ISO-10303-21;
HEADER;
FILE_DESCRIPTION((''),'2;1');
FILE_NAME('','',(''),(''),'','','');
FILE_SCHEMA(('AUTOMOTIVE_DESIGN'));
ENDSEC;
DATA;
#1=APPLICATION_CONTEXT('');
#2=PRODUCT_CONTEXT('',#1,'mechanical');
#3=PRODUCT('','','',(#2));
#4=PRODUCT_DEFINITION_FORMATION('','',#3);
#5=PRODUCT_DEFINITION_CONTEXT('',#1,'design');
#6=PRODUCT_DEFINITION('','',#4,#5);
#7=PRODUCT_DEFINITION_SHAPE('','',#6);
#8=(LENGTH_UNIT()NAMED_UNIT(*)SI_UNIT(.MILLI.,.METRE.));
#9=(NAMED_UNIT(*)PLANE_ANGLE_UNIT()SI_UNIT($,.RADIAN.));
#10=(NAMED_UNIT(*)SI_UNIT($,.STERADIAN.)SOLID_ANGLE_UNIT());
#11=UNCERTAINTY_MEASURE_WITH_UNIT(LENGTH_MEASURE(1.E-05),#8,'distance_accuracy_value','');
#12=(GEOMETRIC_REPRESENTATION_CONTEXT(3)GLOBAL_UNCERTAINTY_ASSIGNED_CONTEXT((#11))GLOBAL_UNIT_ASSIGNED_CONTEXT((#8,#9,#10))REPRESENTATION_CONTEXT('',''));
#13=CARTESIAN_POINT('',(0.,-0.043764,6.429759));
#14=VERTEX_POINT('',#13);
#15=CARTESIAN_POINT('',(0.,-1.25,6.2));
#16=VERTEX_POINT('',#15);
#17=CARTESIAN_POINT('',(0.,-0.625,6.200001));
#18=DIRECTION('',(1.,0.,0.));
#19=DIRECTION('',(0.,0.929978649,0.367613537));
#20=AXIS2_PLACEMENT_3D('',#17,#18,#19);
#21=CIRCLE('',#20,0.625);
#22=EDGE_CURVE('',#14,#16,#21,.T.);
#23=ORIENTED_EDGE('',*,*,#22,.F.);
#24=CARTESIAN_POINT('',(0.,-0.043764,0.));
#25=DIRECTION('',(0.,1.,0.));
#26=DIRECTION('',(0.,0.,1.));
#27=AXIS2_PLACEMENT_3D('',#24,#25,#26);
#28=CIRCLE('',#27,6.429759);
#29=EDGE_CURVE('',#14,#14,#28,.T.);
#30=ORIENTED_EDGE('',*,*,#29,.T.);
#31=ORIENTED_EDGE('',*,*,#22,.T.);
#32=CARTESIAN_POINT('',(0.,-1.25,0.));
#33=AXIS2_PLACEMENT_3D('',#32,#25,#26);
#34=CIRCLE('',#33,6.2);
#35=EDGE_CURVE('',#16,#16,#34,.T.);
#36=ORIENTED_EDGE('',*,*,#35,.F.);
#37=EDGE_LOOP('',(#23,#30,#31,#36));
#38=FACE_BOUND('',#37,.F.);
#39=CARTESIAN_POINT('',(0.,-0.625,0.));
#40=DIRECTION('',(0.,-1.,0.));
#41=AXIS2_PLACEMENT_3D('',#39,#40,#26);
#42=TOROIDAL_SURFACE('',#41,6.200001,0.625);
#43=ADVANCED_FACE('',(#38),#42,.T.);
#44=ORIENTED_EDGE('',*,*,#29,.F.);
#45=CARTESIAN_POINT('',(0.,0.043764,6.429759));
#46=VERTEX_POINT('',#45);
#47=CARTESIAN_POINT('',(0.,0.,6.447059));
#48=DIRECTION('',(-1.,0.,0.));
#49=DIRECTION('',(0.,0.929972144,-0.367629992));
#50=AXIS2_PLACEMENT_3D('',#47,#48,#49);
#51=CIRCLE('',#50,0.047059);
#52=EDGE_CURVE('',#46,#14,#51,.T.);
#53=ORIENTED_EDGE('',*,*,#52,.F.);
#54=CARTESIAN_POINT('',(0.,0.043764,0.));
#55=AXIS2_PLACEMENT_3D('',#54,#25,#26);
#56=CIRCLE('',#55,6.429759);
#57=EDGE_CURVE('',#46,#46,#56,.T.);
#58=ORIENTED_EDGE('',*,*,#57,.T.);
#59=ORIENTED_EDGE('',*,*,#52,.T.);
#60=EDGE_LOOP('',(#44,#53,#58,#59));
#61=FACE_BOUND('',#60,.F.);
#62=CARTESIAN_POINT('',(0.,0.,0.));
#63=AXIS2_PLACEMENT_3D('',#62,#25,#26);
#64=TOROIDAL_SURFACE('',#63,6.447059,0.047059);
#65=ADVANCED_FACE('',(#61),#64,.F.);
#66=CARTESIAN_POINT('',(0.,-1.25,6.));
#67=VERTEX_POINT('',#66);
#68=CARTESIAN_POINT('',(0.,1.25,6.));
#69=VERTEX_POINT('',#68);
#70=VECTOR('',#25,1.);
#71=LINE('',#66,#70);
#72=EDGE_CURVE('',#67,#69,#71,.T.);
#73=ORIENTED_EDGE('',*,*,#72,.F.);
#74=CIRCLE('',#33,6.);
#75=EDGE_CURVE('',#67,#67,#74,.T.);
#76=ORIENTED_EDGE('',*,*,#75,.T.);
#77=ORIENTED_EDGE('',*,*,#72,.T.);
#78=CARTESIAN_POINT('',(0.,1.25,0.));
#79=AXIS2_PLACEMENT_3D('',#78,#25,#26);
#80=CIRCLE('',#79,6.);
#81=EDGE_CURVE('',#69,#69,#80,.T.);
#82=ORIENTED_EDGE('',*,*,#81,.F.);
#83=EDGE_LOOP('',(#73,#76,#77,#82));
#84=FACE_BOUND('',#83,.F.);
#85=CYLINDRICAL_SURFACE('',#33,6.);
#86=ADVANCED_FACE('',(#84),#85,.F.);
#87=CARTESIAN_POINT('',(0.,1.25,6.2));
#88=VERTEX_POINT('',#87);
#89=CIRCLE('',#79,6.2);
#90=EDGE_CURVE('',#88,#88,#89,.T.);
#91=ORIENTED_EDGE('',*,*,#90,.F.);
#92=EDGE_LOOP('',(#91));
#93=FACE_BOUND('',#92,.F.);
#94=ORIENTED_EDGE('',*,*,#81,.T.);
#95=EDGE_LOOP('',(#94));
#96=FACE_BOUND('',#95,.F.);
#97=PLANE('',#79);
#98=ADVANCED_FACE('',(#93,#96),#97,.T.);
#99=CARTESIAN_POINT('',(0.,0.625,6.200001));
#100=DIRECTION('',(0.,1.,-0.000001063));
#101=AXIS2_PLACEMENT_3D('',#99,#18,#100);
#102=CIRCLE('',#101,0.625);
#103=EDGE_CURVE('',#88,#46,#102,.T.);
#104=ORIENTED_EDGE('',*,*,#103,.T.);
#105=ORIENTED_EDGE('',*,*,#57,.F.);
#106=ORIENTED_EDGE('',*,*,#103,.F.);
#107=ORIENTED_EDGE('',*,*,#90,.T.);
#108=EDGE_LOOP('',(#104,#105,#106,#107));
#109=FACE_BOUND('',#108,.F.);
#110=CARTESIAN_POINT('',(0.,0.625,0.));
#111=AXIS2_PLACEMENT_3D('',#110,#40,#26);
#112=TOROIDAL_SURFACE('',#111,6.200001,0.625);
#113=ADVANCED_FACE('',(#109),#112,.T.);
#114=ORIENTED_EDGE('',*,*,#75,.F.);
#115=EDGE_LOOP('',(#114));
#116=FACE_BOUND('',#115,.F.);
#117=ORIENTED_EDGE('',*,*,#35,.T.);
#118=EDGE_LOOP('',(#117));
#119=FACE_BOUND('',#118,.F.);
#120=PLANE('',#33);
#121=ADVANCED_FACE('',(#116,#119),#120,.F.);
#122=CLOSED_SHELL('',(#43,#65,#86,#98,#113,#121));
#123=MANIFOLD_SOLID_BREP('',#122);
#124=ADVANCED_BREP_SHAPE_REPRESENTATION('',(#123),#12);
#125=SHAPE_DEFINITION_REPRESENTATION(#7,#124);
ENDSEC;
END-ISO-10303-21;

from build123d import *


with BuildPart() as f1:
    # F0 (on Right) → F1 (revolve)
    with BuildSketch(Plane.YZ):
        with BuildLine():
            Line((-1.25, 6.2), (-1.25, 6))
            Line((-1.25, 6), (1.25, 6))
            Line((1.25, 6), (1.25, 6.2))
            ThreePointArc((1.25, 6.2), (0.741945, 6.813962), (0.043764, 6.429759))
            ThreePointArc((0.043764, 6.429759), (0, 6.4), (-0.043764, 6.429759))
            ThreePointArc((-0.043764, 6.429759), (-0.741945, 6.813962), (-1.25, 6.2))
        make_face()
    revolve(axis=Axis((0, 11.747418, 0), (0, 1, 0)))


solid = f1.part
